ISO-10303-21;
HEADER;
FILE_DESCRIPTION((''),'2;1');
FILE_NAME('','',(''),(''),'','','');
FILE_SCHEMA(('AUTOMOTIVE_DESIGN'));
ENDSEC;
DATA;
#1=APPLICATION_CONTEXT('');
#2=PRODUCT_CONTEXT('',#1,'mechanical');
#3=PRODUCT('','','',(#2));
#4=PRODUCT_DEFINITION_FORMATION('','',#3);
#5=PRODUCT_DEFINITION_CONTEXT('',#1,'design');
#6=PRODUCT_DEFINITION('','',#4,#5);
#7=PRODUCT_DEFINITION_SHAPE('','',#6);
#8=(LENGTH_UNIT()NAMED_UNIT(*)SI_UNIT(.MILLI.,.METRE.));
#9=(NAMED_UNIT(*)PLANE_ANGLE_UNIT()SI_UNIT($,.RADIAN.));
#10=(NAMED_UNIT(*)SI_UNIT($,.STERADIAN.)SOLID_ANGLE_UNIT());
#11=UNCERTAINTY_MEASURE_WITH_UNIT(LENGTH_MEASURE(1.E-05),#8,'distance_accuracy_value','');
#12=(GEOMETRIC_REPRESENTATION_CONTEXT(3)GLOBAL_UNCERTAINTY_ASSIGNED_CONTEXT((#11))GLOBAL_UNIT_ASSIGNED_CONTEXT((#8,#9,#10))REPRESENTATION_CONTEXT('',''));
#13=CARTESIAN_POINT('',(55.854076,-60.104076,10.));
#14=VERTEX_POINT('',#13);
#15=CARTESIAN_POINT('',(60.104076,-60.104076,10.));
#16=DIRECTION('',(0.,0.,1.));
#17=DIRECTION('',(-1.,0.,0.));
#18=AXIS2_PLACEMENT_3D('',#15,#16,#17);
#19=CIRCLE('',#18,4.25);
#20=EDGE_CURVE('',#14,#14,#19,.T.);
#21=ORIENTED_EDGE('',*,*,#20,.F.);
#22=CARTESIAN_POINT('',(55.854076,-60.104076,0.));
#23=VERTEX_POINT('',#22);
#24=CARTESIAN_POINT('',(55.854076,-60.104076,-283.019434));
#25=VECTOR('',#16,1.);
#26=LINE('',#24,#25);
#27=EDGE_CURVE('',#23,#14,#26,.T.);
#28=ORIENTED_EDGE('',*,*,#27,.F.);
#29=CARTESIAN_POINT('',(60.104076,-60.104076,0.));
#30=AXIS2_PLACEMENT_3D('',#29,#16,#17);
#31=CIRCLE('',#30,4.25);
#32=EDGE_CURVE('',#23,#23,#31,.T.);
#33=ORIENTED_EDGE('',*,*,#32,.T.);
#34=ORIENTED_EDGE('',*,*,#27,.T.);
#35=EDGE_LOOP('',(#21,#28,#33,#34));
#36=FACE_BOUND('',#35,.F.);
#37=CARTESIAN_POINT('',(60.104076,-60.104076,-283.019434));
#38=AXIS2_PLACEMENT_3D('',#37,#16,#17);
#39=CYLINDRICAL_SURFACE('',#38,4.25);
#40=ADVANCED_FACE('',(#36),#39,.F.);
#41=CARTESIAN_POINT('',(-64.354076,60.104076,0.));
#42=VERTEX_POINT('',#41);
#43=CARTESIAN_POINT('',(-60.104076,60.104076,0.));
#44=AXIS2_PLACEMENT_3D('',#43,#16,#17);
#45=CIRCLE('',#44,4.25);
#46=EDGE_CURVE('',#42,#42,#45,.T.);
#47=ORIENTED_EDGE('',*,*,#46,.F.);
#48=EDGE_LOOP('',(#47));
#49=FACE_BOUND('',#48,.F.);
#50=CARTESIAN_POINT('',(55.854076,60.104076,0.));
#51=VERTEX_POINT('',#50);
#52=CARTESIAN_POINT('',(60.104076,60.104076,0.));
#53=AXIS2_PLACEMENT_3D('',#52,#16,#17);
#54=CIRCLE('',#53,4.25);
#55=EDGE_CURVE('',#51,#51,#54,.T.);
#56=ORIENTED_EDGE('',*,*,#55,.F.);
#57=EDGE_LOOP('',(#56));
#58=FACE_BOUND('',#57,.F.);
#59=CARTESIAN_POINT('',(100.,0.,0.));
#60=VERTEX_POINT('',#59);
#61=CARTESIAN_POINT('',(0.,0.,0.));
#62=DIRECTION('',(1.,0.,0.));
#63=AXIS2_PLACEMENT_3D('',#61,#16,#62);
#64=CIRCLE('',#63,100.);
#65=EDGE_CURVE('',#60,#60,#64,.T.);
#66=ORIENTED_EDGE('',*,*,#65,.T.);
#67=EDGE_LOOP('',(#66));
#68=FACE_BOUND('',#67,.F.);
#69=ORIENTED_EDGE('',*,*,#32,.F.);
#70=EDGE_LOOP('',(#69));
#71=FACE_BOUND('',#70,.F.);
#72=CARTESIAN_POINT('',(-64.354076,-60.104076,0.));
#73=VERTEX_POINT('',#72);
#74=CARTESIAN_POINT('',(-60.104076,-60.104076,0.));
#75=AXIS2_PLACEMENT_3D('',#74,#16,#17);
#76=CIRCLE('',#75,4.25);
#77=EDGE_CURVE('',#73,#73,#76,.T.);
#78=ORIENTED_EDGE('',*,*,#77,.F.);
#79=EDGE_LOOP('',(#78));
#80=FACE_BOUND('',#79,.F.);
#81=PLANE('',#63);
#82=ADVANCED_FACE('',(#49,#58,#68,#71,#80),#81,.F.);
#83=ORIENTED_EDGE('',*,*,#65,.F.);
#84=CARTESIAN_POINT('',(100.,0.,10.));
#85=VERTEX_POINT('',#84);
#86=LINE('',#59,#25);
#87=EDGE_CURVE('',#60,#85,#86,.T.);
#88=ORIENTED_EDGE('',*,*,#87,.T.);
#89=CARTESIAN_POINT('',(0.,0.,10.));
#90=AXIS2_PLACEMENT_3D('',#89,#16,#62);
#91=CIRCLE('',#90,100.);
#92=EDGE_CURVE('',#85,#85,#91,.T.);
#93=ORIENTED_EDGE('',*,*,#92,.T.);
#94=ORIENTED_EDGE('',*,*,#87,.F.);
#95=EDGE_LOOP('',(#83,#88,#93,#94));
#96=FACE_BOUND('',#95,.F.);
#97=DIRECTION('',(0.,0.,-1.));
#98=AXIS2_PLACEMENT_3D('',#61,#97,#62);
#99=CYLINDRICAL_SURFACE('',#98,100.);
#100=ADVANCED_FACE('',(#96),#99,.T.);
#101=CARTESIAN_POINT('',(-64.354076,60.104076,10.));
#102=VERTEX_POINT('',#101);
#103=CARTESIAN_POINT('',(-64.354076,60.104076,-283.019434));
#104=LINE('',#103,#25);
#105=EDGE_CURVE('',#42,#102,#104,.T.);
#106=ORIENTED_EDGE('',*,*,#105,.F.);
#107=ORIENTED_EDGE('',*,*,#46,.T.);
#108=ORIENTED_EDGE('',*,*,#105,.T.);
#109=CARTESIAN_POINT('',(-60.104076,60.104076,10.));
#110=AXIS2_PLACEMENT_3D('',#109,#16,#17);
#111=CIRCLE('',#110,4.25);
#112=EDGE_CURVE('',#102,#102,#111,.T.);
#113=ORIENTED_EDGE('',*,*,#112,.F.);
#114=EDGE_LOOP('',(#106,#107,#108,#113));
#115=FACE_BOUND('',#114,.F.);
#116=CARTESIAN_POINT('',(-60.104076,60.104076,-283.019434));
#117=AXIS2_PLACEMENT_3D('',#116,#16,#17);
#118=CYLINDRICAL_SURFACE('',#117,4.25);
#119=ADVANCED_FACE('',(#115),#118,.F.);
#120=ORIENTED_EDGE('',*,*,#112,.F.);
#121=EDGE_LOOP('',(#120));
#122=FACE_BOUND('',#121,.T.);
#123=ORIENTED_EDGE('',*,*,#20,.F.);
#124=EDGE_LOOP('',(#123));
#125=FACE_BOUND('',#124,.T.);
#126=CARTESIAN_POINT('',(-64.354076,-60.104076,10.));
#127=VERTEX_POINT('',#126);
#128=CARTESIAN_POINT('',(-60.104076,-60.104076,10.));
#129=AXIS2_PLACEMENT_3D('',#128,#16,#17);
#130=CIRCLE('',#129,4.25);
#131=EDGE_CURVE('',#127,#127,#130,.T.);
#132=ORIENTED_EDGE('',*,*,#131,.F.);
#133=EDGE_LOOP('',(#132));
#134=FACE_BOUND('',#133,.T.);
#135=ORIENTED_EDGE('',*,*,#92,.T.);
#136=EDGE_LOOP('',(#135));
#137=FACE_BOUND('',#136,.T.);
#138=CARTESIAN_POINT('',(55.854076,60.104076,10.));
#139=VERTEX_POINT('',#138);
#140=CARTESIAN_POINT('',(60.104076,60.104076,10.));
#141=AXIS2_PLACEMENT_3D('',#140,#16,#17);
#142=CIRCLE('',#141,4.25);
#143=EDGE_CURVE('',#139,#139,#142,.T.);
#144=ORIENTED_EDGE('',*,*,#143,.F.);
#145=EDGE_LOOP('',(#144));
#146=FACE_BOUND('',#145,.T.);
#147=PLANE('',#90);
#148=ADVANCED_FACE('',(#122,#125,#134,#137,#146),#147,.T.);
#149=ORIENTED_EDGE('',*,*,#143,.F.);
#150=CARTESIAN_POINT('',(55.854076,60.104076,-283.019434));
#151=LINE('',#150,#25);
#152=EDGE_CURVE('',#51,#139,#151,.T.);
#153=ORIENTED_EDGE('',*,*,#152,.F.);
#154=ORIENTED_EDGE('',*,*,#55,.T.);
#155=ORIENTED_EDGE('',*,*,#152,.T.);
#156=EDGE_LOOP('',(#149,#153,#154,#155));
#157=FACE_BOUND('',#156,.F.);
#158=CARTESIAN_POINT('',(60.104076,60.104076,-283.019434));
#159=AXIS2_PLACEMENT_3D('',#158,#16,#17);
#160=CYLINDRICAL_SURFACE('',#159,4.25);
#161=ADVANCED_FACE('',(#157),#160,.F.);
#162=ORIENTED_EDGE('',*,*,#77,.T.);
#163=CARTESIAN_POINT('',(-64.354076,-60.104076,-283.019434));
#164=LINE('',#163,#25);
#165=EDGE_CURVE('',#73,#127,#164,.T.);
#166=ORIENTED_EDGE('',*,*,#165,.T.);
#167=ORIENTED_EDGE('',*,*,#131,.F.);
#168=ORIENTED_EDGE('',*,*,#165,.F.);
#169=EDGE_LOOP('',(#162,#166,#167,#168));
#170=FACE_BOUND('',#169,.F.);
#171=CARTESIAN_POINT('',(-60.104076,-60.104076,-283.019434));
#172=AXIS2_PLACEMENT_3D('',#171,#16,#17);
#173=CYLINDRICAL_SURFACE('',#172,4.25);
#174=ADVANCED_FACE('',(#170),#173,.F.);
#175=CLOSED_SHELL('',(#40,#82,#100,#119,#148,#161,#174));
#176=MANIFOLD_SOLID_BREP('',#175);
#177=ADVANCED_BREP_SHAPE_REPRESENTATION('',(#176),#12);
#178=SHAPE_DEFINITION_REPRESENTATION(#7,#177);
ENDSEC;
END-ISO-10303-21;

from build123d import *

# Parameters (mm, degrees)
F1_R     = 100
F2_DEPTH = 10
F3_D     = 8.5


with BuildPart() as f2:
    # F1 (on Top) → F2 (new body)
    with BuildSketch(Plane.XY):
        Circle(F1_R)
    extrude(amount=F2_DEPTH)

    # F3 (through all)
    with Locations(Plane(origin=(0, 0, 0), x_dir=(1, 0, 0), z_dir=(0, 0, -1))):
        with Locations((-60.104076, 60.104076), (60.104076, 60.104076), (60.104076, -60.104076), (-60.104076, -60.104076)):
            Hole(F3_D / 2)


solid = f2.part
